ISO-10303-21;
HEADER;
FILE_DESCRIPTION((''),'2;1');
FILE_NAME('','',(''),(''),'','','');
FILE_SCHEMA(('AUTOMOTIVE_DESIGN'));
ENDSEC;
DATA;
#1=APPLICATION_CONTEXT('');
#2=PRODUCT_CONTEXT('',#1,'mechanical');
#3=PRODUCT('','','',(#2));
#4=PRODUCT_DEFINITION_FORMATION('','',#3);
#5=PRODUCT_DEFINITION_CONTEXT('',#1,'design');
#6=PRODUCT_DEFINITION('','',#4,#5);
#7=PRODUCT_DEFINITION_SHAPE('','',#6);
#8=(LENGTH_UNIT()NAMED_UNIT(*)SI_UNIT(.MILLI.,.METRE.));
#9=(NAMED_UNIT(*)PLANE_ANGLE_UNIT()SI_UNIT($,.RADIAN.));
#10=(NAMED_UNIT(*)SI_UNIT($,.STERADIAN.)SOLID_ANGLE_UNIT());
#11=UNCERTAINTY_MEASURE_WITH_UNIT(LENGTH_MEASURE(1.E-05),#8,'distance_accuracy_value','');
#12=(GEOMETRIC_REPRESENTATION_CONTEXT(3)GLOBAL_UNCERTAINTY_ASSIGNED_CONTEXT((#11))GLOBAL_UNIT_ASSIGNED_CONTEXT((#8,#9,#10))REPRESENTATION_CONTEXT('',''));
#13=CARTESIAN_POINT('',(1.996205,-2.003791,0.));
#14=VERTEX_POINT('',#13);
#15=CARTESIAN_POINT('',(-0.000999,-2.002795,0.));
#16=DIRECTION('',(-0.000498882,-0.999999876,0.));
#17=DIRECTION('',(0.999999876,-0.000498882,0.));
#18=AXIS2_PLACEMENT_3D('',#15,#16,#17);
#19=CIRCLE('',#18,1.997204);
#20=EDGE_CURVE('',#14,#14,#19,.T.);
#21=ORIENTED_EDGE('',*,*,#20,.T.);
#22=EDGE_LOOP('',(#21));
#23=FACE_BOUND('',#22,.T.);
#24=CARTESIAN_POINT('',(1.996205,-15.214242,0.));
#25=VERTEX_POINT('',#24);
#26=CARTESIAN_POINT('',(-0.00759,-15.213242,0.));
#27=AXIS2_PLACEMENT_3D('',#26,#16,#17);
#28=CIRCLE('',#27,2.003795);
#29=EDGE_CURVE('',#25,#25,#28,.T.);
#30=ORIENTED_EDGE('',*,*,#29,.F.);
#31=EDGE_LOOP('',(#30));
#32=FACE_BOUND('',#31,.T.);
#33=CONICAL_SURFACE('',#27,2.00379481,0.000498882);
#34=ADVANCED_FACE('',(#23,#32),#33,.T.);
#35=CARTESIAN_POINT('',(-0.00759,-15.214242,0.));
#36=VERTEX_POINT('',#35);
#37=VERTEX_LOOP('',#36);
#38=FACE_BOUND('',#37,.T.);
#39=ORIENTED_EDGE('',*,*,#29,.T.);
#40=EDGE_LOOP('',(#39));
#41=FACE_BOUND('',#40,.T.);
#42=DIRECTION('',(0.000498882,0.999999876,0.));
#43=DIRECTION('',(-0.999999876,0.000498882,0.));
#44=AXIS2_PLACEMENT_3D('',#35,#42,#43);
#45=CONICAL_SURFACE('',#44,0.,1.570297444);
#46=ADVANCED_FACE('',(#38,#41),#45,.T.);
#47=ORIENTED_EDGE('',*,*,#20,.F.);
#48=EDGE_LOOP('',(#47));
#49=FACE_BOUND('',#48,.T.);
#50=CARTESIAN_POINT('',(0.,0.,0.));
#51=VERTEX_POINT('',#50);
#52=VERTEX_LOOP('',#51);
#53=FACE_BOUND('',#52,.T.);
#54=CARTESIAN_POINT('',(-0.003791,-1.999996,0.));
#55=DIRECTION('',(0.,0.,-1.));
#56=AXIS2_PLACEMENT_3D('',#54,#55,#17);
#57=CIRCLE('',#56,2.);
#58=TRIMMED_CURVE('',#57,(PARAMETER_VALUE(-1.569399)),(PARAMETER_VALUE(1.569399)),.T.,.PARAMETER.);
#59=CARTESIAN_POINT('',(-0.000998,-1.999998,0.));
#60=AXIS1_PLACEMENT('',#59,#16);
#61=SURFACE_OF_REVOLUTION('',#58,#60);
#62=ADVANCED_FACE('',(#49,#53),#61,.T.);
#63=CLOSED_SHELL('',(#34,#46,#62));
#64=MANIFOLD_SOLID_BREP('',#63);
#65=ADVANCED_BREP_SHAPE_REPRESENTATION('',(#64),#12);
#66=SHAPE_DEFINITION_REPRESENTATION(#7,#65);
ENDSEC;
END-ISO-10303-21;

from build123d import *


with BuildPart() as part:
    # Sketch1 → Revolve1 (revolve)
    with BuildSketch(Plane.XY):
        with BuildLine():
            Line((1.99620494, -2.003791459), (1.99620494, -15.214242059))
            Line((1.99620494, -15.214242059), (-0.007590119, -15.214242059))
            Line((-0.007590119, -15.214242059), (0, 0))
            ThreePointArc((0, 0), (1.413101797, -0.588467624), (1.99620494, -2.003791459))
        make_face()
    revolve(axis=Axis((-0.007590119, -15.214242059, 0), (0.000498882, 0.999999876, 0)))


solid = part.part
